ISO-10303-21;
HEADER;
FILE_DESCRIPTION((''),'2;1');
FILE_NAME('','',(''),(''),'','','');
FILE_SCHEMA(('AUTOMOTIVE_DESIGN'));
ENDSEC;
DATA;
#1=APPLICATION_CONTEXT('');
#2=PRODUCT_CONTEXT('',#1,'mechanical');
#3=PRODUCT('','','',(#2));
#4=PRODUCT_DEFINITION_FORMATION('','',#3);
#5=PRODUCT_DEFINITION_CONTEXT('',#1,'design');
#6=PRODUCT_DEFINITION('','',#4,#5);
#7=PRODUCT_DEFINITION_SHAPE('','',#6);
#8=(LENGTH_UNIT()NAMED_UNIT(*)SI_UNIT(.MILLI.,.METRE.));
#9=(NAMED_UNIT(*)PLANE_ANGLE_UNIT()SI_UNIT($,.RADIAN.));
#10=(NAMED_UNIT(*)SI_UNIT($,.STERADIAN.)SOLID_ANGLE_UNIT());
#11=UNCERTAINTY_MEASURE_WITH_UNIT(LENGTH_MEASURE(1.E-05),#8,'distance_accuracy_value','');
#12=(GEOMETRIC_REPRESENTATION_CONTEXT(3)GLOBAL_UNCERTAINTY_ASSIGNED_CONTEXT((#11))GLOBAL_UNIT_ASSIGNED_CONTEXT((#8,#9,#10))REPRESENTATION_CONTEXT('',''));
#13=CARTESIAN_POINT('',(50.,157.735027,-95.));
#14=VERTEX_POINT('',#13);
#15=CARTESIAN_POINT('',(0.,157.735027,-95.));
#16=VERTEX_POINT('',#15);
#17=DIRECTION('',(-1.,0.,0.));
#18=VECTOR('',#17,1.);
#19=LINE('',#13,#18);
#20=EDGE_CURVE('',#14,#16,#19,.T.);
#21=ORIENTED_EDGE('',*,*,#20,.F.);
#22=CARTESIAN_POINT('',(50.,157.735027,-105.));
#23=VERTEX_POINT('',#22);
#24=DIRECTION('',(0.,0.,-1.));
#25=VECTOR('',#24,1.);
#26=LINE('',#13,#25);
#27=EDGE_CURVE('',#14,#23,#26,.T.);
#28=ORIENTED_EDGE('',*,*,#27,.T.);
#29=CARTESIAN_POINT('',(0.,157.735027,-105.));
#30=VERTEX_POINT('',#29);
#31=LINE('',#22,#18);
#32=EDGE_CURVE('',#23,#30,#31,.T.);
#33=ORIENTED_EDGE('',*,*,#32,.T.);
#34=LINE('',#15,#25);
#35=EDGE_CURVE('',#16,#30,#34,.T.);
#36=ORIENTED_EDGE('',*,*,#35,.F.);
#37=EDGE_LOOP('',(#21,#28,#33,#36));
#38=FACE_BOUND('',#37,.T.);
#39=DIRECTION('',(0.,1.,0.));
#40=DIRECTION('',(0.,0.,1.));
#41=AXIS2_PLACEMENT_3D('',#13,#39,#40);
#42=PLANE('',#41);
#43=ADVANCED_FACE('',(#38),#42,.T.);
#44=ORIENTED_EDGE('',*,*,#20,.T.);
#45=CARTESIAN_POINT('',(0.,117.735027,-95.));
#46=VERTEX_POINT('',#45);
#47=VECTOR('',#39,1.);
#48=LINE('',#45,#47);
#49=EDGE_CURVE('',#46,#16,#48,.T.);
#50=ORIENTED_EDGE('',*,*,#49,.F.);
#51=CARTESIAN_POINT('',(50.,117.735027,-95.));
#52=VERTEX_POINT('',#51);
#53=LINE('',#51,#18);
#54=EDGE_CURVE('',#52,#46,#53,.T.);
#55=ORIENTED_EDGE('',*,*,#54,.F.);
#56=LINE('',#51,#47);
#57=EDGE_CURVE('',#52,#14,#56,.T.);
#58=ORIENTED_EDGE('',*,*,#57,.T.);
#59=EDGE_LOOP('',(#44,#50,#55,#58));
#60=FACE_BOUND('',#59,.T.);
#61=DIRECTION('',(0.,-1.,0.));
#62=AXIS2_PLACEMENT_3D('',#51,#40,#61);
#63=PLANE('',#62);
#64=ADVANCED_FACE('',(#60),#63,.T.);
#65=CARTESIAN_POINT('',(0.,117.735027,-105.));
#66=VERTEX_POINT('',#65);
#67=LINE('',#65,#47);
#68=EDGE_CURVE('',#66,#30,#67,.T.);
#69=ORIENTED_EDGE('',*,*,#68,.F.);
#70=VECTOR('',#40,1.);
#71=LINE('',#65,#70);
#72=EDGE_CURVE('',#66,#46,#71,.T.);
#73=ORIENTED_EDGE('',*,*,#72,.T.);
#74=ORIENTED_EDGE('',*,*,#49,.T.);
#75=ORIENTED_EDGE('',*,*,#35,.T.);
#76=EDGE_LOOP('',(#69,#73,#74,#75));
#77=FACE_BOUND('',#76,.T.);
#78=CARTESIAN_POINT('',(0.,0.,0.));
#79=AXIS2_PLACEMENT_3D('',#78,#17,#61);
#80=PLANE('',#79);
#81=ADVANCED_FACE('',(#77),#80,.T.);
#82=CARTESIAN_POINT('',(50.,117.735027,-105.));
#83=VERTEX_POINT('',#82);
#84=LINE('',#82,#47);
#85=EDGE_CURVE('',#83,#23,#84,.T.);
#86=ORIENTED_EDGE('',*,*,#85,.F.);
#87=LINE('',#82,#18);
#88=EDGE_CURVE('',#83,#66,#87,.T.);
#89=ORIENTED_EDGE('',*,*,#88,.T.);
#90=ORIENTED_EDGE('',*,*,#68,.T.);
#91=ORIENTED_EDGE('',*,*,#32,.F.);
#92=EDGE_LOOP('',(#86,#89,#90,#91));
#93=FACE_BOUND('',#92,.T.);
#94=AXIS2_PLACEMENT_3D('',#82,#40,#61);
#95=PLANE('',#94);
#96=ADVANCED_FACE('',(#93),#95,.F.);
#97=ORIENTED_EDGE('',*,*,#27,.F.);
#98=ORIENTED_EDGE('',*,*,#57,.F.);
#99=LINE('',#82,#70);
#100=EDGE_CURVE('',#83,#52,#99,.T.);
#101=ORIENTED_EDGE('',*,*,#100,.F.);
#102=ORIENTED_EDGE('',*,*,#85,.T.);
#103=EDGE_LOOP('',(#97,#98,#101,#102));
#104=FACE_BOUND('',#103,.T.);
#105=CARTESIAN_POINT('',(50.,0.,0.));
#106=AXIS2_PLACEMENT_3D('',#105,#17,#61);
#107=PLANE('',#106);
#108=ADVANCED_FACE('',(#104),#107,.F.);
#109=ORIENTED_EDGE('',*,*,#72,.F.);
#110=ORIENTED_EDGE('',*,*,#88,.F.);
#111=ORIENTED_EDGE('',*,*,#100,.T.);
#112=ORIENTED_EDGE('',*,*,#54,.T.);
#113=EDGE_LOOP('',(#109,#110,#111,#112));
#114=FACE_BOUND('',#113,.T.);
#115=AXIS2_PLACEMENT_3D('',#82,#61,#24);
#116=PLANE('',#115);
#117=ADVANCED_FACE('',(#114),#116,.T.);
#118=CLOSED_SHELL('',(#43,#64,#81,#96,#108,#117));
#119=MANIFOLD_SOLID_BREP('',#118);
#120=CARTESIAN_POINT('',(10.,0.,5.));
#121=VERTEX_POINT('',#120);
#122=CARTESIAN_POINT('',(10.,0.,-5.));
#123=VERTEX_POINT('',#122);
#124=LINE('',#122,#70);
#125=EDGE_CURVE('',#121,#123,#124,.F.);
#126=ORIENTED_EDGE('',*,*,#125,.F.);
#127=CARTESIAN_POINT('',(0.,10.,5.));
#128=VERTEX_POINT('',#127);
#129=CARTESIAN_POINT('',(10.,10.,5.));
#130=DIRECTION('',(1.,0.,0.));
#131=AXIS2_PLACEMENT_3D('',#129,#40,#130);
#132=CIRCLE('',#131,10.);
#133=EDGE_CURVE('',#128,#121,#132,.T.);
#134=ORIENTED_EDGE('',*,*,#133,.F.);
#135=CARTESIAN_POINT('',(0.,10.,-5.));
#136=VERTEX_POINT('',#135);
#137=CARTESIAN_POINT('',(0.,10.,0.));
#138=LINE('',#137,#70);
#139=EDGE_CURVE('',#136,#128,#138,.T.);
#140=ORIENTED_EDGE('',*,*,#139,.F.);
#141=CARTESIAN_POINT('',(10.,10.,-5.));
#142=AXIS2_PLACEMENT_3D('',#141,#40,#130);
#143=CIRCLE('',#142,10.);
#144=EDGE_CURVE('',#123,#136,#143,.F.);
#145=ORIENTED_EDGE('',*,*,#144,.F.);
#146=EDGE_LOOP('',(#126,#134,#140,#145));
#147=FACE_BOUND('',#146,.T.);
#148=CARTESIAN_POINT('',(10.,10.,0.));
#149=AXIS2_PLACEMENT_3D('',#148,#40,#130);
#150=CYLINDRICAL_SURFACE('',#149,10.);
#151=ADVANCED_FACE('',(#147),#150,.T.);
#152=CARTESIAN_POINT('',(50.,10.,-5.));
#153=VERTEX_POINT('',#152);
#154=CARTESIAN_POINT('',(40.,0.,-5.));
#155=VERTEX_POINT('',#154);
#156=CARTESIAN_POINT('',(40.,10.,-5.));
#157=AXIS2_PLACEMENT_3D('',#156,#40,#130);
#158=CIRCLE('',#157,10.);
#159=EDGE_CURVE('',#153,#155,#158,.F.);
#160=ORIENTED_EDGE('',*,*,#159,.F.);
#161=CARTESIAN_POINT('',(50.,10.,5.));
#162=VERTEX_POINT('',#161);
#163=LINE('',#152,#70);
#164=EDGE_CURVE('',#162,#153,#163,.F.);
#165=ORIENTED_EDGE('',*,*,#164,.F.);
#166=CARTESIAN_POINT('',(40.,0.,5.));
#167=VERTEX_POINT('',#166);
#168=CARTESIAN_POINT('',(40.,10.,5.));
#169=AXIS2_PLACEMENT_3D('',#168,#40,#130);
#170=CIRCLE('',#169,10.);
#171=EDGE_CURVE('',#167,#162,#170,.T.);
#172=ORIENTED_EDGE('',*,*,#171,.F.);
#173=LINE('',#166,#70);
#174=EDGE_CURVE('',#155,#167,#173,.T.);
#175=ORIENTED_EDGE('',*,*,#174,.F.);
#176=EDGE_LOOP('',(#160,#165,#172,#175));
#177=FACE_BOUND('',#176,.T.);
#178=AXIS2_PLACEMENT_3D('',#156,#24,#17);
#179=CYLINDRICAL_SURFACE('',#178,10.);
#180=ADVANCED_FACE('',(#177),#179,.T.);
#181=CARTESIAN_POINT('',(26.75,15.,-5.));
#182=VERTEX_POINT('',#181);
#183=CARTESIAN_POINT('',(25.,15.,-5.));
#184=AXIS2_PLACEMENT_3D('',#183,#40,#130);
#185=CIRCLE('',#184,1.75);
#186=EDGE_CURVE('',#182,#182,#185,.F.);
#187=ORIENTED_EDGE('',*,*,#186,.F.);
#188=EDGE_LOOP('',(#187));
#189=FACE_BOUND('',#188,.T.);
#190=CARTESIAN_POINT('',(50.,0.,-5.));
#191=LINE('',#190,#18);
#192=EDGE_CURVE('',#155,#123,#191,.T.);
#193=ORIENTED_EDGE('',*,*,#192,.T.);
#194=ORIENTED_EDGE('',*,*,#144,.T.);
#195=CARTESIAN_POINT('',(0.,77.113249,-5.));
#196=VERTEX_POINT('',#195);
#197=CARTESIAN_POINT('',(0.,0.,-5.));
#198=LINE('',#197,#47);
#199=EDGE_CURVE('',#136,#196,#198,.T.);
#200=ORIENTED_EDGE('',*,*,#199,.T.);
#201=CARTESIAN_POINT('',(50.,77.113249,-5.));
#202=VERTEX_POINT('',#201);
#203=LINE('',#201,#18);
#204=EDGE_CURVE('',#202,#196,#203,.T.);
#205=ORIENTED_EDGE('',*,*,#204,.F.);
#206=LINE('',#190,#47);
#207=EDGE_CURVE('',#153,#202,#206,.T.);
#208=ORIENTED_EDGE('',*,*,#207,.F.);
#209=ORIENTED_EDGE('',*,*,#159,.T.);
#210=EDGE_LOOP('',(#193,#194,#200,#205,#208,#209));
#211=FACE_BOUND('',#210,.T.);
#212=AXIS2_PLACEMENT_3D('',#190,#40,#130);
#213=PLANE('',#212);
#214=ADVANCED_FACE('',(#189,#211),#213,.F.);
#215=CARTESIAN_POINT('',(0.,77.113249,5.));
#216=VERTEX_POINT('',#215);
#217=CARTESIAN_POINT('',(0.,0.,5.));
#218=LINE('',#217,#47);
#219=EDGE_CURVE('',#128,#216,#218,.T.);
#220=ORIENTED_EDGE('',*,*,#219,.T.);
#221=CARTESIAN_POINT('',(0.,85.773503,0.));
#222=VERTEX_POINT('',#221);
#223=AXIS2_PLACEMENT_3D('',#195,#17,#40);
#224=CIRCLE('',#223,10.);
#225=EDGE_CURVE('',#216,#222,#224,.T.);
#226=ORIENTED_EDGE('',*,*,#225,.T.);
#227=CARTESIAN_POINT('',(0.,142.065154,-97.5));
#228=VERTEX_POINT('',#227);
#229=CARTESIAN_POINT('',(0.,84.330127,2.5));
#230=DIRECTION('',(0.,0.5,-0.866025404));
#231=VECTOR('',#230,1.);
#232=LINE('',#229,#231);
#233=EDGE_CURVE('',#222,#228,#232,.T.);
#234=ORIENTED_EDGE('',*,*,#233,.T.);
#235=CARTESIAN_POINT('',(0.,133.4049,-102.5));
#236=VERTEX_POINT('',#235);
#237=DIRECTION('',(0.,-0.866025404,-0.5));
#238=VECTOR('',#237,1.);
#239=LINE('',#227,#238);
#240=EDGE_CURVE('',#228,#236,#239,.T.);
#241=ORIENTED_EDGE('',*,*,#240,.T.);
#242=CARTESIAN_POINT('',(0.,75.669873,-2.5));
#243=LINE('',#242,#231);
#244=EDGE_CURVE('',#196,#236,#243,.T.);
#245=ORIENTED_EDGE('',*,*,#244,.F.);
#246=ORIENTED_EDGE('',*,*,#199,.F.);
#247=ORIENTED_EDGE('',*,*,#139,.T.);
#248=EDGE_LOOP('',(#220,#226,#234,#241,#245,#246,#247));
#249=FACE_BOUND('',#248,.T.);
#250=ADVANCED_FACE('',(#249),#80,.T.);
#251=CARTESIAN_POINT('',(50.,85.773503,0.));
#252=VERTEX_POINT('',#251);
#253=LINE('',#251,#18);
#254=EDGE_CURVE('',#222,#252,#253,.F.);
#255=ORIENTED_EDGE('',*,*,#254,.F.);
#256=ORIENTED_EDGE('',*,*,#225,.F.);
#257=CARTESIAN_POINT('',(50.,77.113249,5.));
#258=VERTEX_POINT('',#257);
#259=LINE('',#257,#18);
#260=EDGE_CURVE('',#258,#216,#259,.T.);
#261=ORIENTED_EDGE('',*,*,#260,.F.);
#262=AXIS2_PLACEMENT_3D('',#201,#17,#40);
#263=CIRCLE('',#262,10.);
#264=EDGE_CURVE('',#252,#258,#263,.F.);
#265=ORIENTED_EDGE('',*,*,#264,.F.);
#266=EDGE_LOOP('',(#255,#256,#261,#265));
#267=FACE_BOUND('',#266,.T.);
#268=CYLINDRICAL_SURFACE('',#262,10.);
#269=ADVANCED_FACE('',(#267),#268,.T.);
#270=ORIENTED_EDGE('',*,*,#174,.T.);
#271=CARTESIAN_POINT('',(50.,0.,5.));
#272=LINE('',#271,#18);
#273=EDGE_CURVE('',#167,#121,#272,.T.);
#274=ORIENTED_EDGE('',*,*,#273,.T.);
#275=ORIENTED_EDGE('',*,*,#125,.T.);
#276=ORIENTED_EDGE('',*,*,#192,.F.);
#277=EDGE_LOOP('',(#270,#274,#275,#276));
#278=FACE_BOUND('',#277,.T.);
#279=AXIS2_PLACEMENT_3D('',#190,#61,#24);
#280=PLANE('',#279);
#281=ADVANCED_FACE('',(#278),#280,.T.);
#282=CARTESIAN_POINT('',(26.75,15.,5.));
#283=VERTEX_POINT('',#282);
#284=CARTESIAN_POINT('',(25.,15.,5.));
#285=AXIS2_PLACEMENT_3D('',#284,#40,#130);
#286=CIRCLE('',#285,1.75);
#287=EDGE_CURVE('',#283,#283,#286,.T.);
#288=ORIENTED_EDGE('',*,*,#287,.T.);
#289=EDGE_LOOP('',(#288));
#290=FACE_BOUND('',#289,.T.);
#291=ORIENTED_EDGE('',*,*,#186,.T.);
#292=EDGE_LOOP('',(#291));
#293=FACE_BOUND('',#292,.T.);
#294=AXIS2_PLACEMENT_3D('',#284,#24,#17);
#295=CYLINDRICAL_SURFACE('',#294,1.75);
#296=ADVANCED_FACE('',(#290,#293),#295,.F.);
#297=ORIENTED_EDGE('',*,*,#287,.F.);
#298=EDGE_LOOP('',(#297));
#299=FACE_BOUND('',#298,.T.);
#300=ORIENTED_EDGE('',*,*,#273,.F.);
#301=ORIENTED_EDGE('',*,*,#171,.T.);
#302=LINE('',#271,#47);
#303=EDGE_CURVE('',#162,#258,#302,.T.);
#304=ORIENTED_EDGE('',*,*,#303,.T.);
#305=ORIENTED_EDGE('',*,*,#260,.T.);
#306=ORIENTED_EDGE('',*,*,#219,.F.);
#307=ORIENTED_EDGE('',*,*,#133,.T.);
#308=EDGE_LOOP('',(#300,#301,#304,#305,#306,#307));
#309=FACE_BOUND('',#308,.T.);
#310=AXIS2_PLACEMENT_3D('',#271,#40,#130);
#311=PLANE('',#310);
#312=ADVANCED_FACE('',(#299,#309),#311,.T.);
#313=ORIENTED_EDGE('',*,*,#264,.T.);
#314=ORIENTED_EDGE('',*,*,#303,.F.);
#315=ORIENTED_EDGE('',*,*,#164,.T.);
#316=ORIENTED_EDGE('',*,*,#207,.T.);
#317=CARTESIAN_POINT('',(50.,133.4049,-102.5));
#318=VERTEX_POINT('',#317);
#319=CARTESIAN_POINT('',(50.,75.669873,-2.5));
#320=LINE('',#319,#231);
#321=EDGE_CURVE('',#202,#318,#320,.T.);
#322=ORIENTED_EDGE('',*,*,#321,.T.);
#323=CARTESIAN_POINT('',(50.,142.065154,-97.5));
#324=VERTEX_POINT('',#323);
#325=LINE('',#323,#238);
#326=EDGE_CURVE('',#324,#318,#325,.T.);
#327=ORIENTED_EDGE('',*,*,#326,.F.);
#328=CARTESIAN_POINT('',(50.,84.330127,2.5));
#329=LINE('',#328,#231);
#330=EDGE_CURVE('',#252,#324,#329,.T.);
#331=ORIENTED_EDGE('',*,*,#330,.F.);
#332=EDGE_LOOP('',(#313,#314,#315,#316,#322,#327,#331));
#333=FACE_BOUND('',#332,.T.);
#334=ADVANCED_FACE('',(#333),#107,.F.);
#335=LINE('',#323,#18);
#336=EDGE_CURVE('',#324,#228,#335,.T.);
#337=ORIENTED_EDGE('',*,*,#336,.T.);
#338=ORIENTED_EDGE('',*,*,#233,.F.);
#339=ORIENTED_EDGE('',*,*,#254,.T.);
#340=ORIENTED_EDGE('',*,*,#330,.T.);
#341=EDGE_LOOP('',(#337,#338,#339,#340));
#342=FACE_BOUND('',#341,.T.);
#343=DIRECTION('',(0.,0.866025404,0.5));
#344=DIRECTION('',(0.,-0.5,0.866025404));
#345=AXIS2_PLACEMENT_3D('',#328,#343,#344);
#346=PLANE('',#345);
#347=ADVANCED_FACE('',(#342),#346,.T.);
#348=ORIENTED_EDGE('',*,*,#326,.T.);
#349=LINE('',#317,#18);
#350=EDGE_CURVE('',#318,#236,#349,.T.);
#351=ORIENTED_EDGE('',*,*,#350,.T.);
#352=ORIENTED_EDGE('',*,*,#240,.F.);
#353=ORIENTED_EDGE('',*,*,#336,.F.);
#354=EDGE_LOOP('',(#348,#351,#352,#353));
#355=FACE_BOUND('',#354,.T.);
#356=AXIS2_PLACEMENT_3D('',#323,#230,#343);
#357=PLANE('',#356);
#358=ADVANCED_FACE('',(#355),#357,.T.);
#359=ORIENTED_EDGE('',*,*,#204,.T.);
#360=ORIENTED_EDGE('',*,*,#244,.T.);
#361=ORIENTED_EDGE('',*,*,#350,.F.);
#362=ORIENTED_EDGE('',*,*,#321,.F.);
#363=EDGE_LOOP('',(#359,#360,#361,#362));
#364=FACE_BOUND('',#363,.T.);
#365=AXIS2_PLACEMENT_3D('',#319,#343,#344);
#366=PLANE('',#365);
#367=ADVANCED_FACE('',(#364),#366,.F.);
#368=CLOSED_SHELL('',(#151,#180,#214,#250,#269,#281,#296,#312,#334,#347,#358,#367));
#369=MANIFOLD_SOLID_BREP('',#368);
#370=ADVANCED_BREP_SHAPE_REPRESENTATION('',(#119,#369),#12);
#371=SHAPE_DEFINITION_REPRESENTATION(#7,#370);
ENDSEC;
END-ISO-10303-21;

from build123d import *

# Parameters (mm, degrees)
EXTRUDE_THIN1_DEPTH     = 50
SKETCH2_W               = 40
SKETCH2_H               = 10
EXTRUDE_THIN1_2_DEPTH   = 50
FILLET2_R               = 10
FILLET3_R               = 10
CUT_EXTRUDE1_DEPTH      = 196.972800963
CUT_EXTRUDE1_DEPTH_BACK = 5
SKETCH3_R               = 1.75


with BuildPart() as part:
    # Sketch2 → Extrude-Thin1 (new body)
    with BuildSketch(Plane.YZ):
        Polygon((0, -5), (77.113248654, -5), (133.4048999, -102.5), (142.065153938, -97.5), (82.886751346, 5), (0, 5), align=None)
    extrude(amount=EXTRUDE_THIN1_DEPTH)

    # Fillet2
    fillet2_edges = [part.edges().sort_by_distance(p)[0] for p in [
        (50, 0, 0),
        (0, 0, 0),
    ]]
    fillet(fillet2_edges, radius=FILLET2_R)

    # Fillet3
    fillet3_edges = [part.edges().sort_by_distance(p)[0] for p in [
        (25, 82.886751346, 5),
    ]]
    fillet(fillet3_edges, radius=FILLET3_R)

    # Sketch3 → Cut-Extrude1 (cut, two sides: drawn at the far end of the back side and taken through both)
    with BuildSketch(Plane(origin=(0, 0, 0), x_dir=(0, 1, 0), z_dir=(0, 0, 1)).offset(-CUT_EXTRUDE1_DEPTH_BACK)):
        with Locations(Location((15, -25, 0), (0, 0, 270))):
            Circle(SKETCH3_R)
    extrude(amount=CUT_EXTRUDE1_DEPTH + CUT_EXTRUDE1_DEPTH_BACK, mode=Mode.SUBTRACT)


with BuildPart() as body_2:
    # Sketch2 → Extrude-Thin1 2 (new body)
    with BuildSketch(Plane.YZ):
        with Locations((137.735026919, -100)):
            Rectangle(SKETCH2_W, SKETCH2_H)
    extrude(amount=EXTRUDE_THIN1_2_DEPTH)


solid = Compound([part.part, body_2.part])
